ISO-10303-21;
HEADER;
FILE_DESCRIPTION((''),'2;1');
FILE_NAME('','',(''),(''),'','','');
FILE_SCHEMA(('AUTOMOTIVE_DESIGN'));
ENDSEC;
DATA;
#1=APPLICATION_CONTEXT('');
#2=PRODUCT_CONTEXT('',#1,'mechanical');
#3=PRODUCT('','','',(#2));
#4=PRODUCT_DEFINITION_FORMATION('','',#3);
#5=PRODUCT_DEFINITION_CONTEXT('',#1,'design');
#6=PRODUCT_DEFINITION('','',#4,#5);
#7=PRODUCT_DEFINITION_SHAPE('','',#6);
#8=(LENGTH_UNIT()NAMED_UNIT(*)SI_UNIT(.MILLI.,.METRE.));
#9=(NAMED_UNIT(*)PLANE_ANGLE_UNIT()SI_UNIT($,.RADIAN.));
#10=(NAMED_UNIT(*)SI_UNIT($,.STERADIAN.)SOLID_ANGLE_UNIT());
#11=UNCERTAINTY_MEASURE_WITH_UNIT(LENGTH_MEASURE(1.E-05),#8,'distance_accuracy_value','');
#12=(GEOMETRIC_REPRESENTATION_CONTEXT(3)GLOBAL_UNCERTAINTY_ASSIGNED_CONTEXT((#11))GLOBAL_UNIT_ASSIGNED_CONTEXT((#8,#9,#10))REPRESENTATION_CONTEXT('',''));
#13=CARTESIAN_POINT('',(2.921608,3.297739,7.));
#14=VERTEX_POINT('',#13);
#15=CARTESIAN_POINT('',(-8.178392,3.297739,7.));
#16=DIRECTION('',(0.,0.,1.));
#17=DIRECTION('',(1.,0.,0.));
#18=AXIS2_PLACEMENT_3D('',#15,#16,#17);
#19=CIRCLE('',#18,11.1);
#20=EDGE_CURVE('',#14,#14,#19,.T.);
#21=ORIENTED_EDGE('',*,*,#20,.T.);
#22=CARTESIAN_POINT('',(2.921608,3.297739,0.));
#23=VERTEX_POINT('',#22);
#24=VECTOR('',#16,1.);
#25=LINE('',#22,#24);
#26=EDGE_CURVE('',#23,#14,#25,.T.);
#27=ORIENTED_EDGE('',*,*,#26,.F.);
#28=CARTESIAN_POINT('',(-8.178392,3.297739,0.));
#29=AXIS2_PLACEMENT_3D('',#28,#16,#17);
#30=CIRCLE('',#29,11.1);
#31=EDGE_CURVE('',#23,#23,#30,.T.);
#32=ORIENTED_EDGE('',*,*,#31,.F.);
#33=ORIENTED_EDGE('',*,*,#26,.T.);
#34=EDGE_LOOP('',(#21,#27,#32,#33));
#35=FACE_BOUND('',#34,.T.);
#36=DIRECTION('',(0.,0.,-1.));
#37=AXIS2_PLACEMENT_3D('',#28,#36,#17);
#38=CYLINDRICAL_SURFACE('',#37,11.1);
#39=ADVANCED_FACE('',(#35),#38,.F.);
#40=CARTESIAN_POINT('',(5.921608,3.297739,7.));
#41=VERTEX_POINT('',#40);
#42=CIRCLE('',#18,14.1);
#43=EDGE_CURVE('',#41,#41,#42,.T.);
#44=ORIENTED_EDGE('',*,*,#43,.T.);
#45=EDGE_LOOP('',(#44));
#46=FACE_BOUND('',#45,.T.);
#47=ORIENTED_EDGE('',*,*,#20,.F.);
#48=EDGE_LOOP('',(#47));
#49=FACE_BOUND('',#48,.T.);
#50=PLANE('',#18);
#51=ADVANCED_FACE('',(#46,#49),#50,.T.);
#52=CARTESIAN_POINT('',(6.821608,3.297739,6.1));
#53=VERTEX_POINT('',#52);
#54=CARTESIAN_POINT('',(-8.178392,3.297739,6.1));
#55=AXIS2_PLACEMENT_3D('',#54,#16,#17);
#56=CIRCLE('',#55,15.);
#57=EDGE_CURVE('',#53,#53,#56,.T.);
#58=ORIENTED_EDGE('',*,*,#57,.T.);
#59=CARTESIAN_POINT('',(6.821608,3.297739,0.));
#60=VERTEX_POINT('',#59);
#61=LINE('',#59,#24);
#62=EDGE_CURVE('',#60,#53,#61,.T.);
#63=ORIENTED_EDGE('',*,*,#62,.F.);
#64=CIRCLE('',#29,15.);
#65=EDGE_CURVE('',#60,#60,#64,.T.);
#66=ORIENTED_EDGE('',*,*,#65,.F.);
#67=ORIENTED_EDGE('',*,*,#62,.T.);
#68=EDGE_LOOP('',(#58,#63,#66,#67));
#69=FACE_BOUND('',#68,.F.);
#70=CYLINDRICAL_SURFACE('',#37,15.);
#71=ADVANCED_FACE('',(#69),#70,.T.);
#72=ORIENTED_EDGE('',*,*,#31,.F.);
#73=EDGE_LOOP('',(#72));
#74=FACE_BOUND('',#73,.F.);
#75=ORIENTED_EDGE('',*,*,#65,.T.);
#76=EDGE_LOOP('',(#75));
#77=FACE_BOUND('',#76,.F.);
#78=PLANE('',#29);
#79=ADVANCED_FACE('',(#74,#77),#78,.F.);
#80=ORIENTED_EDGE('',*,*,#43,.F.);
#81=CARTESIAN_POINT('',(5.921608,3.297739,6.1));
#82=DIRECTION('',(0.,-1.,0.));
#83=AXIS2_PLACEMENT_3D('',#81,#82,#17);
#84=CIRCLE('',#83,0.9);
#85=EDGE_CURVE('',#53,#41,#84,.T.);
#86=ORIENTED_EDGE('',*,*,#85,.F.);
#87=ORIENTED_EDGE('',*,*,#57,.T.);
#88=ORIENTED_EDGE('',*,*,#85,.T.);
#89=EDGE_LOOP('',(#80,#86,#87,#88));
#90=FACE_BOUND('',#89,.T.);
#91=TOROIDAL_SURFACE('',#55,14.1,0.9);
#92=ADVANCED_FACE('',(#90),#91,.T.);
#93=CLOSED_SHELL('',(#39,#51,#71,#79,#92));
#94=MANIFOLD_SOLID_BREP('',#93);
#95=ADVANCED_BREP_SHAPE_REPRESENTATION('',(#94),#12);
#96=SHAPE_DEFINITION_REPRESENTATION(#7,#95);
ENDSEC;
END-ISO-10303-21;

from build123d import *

# Parameters (mm, degrees)
F0_R     = 15
F0_R_2   = 11.1
F1_DEPTH = 7
F2_R     = 0.9


with BuildPart() as f1:
    # F0 (on Top) → F1 (new body)
    with BuildSketch(Plane.XY):
        with Locations((-8.178392, 3.297739)):
            Circle(F0_R)
        with Locations((-8.178392, 3.297739)):
            Circle(F0_R_2, mode=Mode.SUBTRACT)
    extrude(amount=F1_DEPTH)

    # F2
    f2_edges = [f1.edges().sort_by_distance(p)[0] for p in [
        (-23.178392, 3.297739, 7),
    ]]
    fillet(f2_edges, radius=F2_R)


solid = f1.part
